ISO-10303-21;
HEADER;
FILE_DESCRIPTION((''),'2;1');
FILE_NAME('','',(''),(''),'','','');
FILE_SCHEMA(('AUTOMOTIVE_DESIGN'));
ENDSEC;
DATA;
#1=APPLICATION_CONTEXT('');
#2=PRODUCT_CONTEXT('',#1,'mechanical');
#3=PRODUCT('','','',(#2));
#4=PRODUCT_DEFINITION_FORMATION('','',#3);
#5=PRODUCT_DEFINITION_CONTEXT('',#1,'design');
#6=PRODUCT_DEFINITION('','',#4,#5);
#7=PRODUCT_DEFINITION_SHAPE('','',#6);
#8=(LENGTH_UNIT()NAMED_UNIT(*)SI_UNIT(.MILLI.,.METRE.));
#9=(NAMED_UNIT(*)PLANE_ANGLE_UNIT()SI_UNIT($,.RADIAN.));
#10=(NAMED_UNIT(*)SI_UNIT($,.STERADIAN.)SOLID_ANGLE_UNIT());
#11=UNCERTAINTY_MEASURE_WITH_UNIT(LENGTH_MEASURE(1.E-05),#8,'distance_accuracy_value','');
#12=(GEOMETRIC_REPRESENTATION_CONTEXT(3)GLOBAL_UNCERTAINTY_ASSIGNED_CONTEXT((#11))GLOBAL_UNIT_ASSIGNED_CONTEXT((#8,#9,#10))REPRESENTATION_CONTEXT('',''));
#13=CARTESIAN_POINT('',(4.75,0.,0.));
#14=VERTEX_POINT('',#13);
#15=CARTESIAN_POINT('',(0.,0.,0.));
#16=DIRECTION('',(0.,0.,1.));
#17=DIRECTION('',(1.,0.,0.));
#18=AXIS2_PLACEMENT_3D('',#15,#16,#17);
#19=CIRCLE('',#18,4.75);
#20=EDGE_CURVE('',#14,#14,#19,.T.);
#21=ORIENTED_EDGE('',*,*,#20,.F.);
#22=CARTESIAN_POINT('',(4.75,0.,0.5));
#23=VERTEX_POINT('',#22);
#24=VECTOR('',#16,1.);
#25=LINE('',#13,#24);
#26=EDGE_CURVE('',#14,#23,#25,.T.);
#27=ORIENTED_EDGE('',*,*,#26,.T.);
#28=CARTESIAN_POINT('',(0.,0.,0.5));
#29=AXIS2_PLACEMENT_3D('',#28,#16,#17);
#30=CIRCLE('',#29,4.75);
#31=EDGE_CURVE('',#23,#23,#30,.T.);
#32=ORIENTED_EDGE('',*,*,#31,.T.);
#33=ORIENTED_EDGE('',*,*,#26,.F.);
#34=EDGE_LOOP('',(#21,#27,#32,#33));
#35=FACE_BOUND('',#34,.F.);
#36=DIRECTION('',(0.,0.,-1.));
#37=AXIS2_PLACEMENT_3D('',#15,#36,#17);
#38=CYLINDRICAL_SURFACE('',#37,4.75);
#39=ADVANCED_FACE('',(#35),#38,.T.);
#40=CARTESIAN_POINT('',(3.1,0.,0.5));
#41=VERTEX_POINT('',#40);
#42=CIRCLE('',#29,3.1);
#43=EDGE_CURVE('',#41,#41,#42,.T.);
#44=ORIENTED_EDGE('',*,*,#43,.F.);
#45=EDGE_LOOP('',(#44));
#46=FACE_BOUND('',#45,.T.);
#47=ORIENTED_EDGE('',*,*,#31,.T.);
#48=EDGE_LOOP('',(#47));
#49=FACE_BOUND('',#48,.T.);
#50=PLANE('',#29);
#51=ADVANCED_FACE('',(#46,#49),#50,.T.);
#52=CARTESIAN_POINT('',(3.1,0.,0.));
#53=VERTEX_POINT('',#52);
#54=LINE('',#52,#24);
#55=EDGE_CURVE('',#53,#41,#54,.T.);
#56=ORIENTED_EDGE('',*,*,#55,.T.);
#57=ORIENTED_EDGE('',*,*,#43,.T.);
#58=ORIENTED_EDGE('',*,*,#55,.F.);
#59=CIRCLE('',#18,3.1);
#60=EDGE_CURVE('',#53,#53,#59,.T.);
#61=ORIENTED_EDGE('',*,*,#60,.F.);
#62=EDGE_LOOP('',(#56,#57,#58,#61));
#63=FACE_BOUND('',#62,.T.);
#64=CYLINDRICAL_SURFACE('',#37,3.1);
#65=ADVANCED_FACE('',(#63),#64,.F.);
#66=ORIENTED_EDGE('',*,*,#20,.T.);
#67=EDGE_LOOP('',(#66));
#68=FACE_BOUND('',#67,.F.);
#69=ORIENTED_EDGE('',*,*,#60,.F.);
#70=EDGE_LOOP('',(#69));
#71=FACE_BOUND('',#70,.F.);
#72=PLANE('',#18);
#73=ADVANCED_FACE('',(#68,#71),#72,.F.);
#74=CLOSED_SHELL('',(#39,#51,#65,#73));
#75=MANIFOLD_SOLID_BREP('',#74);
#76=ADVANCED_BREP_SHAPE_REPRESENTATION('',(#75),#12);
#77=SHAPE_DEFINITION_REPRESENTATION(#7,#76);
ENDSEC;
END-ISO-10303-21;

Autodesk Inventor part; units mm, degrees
ref_plane "YZ Plane" through (0, 0, 0) normal (1, 0, 0) x (0, 1, 0)
ref_plane "XZ Plane" through (0, 0, 0) normal (0, 1, 0) x (-1, 0, 0)
ref_plane "XY Plane" through (0, 0, 0) normal (0, 0, 1) x (1, 0, 0)
sketch "スケッチ1" plane through (0, 0, 0) normal (0, 0, 1) x (1, 0, 0)
  circle A0 centre (0, 0) radius 3.1
  circle A1 centre (0, 0) radius 4.75
  dimension "d0" = 6.2
  dimension "d1" = 9.5
extrude "押し出し1" add sketch "スケッチ1" along normal blind 0.5
properties part number "ポリスライダ 内径6 厚み0.5" material "アセタール樹脂、黒"
